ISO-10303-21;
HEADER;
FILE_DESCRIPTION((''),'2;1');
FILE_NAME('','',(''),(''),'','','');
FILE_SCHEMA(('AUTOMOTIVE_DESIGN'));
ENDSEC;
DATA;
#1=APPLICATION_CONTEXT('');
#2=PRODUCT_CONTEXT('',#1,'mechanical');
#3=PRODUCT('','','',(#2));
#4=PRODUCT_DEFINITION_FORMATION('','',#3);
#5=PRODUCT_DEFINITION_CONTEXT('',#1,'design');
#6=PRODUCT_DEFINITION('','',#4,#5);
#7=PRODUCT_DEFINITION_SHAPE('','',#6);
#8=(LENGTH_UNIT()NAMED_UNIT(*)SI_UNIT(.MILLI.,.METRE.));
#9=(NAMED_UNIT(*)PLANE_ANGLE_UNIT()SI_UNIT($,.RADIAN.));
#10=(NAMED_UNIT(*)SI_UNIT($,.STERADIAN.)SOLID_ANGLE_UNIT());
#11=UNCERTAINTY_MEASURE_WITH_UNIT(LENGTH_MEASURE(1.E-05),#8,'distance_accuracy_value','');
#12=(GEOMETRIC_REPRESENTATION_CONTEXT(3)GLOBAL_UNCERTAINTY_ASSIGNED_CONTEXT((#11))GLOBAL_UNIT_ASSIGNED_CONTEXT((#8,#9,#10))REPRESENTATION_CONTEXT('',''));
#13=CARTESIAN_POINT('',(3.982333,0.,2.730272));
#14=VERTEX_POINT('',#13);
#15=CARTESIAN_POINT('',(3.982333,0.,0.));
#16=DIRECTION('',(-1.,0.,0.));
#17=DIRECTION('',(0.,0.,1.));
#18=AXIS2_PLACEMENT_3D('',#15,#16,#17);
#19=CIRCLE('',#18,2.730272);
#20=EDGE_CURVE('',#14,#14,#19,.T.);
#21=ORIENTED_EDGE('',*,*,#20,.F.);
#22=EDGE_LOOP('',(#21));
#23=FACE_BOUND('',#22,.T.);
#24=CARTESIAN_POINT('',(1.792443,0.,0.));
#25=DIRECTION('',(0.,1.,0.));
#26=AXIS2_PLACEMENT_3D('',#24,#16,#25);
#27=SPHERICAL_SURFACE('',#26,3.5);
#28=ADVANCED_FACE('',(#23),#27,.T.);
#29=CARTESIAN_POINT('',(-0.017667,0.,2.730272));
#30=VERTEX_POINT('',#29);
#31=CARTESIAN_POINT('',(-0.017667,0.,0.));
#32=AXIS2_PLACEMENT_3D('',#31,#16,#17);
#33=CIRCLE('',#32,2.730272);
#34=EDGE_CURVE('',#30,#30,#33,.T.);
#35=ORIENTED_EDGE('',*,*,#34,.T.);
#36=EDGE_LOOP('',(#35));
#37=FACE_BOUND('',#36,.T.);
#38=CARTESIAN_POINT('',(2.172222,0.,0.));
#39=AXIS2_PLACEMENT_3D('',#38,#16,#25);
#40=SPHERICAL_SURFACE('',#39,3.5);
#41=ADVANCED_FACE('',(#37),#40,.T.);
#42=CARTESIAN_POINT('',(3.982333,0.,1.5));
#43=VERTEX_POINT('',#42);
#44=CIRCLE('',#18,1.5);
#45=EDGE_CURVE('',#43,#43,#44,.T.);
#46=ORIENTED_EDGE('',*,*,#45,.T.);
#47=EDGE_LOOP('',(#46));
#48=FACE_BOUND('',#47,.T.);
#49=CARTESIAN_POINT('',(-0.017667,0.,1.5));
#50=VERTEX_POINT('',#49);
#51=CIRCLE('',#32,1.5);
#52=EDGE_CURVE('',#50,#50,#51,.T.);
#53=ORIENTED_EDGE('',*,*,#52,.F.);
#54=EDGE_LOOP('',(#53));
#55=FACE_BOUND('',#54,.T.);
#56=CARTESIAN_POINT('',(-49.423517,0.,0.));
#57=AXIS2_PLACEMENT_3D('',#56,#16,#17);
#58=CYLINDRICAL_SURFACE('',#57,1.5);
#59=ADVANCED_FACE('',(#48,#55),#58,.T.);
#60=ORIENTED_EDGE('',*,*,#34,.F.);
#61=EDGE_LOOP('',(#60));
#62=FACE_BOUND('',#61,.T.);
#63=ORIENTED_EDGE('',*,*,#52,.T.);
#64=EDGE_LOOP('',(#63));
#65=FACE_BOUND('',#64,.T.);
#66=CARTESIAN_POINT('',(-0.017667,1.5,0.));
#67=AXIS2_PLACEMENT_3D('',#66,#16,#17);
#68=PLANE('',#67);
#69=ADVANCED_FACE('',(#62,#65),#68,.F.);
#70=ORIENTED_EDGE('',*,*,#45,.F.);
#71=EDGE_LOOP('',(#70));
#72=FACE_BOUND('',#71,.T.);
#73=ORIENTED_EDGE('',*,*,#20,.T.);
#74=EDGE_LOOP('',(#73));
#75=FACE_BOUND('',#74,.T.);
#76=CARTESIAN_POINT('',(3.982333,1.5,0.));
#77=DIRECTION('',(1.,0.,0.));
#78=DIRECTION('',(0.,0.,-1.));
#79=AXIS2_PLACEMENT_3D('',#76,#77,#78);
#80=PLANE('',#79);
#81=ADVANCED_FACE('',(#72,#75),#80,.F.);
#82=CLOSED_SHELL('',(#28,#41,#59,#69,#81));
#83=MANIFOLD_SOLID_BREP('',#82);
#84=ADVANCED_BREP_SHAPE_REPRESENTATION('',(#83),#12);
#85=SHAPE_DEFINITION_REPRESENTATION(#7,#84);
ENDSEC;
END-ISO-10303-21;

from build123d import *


with BuildPart() as part:
    # Эскиз1 → Повернуть1 (revolve)
    with BuildSketch(Plane.XY):
        with BuildLine():
            Line((-0.017667155, 1.5), (-0.017667155, 2.730271717))
            ThreePointArc((-0.017667155, 2.730271717), (-0.983297624, 1.514164206), (-1.327777579, 0))
            Line((-1.327777579, 0), (5.29244327, 0))
            ThreePointArc((5.29244327, 0), (4.947963315, 1.514164206), (3.982332845, 2.730271717))
            Line((3.982332845, 2.730271717), (3.982332845, 1.5))
            Line((3.982332845, 1.5), (-0.017667155, 1.5))
        make_face()
    revolve(axis=Axis((-49.423517382, 0, 0), (1, 0, 0)))


solid = part.part
